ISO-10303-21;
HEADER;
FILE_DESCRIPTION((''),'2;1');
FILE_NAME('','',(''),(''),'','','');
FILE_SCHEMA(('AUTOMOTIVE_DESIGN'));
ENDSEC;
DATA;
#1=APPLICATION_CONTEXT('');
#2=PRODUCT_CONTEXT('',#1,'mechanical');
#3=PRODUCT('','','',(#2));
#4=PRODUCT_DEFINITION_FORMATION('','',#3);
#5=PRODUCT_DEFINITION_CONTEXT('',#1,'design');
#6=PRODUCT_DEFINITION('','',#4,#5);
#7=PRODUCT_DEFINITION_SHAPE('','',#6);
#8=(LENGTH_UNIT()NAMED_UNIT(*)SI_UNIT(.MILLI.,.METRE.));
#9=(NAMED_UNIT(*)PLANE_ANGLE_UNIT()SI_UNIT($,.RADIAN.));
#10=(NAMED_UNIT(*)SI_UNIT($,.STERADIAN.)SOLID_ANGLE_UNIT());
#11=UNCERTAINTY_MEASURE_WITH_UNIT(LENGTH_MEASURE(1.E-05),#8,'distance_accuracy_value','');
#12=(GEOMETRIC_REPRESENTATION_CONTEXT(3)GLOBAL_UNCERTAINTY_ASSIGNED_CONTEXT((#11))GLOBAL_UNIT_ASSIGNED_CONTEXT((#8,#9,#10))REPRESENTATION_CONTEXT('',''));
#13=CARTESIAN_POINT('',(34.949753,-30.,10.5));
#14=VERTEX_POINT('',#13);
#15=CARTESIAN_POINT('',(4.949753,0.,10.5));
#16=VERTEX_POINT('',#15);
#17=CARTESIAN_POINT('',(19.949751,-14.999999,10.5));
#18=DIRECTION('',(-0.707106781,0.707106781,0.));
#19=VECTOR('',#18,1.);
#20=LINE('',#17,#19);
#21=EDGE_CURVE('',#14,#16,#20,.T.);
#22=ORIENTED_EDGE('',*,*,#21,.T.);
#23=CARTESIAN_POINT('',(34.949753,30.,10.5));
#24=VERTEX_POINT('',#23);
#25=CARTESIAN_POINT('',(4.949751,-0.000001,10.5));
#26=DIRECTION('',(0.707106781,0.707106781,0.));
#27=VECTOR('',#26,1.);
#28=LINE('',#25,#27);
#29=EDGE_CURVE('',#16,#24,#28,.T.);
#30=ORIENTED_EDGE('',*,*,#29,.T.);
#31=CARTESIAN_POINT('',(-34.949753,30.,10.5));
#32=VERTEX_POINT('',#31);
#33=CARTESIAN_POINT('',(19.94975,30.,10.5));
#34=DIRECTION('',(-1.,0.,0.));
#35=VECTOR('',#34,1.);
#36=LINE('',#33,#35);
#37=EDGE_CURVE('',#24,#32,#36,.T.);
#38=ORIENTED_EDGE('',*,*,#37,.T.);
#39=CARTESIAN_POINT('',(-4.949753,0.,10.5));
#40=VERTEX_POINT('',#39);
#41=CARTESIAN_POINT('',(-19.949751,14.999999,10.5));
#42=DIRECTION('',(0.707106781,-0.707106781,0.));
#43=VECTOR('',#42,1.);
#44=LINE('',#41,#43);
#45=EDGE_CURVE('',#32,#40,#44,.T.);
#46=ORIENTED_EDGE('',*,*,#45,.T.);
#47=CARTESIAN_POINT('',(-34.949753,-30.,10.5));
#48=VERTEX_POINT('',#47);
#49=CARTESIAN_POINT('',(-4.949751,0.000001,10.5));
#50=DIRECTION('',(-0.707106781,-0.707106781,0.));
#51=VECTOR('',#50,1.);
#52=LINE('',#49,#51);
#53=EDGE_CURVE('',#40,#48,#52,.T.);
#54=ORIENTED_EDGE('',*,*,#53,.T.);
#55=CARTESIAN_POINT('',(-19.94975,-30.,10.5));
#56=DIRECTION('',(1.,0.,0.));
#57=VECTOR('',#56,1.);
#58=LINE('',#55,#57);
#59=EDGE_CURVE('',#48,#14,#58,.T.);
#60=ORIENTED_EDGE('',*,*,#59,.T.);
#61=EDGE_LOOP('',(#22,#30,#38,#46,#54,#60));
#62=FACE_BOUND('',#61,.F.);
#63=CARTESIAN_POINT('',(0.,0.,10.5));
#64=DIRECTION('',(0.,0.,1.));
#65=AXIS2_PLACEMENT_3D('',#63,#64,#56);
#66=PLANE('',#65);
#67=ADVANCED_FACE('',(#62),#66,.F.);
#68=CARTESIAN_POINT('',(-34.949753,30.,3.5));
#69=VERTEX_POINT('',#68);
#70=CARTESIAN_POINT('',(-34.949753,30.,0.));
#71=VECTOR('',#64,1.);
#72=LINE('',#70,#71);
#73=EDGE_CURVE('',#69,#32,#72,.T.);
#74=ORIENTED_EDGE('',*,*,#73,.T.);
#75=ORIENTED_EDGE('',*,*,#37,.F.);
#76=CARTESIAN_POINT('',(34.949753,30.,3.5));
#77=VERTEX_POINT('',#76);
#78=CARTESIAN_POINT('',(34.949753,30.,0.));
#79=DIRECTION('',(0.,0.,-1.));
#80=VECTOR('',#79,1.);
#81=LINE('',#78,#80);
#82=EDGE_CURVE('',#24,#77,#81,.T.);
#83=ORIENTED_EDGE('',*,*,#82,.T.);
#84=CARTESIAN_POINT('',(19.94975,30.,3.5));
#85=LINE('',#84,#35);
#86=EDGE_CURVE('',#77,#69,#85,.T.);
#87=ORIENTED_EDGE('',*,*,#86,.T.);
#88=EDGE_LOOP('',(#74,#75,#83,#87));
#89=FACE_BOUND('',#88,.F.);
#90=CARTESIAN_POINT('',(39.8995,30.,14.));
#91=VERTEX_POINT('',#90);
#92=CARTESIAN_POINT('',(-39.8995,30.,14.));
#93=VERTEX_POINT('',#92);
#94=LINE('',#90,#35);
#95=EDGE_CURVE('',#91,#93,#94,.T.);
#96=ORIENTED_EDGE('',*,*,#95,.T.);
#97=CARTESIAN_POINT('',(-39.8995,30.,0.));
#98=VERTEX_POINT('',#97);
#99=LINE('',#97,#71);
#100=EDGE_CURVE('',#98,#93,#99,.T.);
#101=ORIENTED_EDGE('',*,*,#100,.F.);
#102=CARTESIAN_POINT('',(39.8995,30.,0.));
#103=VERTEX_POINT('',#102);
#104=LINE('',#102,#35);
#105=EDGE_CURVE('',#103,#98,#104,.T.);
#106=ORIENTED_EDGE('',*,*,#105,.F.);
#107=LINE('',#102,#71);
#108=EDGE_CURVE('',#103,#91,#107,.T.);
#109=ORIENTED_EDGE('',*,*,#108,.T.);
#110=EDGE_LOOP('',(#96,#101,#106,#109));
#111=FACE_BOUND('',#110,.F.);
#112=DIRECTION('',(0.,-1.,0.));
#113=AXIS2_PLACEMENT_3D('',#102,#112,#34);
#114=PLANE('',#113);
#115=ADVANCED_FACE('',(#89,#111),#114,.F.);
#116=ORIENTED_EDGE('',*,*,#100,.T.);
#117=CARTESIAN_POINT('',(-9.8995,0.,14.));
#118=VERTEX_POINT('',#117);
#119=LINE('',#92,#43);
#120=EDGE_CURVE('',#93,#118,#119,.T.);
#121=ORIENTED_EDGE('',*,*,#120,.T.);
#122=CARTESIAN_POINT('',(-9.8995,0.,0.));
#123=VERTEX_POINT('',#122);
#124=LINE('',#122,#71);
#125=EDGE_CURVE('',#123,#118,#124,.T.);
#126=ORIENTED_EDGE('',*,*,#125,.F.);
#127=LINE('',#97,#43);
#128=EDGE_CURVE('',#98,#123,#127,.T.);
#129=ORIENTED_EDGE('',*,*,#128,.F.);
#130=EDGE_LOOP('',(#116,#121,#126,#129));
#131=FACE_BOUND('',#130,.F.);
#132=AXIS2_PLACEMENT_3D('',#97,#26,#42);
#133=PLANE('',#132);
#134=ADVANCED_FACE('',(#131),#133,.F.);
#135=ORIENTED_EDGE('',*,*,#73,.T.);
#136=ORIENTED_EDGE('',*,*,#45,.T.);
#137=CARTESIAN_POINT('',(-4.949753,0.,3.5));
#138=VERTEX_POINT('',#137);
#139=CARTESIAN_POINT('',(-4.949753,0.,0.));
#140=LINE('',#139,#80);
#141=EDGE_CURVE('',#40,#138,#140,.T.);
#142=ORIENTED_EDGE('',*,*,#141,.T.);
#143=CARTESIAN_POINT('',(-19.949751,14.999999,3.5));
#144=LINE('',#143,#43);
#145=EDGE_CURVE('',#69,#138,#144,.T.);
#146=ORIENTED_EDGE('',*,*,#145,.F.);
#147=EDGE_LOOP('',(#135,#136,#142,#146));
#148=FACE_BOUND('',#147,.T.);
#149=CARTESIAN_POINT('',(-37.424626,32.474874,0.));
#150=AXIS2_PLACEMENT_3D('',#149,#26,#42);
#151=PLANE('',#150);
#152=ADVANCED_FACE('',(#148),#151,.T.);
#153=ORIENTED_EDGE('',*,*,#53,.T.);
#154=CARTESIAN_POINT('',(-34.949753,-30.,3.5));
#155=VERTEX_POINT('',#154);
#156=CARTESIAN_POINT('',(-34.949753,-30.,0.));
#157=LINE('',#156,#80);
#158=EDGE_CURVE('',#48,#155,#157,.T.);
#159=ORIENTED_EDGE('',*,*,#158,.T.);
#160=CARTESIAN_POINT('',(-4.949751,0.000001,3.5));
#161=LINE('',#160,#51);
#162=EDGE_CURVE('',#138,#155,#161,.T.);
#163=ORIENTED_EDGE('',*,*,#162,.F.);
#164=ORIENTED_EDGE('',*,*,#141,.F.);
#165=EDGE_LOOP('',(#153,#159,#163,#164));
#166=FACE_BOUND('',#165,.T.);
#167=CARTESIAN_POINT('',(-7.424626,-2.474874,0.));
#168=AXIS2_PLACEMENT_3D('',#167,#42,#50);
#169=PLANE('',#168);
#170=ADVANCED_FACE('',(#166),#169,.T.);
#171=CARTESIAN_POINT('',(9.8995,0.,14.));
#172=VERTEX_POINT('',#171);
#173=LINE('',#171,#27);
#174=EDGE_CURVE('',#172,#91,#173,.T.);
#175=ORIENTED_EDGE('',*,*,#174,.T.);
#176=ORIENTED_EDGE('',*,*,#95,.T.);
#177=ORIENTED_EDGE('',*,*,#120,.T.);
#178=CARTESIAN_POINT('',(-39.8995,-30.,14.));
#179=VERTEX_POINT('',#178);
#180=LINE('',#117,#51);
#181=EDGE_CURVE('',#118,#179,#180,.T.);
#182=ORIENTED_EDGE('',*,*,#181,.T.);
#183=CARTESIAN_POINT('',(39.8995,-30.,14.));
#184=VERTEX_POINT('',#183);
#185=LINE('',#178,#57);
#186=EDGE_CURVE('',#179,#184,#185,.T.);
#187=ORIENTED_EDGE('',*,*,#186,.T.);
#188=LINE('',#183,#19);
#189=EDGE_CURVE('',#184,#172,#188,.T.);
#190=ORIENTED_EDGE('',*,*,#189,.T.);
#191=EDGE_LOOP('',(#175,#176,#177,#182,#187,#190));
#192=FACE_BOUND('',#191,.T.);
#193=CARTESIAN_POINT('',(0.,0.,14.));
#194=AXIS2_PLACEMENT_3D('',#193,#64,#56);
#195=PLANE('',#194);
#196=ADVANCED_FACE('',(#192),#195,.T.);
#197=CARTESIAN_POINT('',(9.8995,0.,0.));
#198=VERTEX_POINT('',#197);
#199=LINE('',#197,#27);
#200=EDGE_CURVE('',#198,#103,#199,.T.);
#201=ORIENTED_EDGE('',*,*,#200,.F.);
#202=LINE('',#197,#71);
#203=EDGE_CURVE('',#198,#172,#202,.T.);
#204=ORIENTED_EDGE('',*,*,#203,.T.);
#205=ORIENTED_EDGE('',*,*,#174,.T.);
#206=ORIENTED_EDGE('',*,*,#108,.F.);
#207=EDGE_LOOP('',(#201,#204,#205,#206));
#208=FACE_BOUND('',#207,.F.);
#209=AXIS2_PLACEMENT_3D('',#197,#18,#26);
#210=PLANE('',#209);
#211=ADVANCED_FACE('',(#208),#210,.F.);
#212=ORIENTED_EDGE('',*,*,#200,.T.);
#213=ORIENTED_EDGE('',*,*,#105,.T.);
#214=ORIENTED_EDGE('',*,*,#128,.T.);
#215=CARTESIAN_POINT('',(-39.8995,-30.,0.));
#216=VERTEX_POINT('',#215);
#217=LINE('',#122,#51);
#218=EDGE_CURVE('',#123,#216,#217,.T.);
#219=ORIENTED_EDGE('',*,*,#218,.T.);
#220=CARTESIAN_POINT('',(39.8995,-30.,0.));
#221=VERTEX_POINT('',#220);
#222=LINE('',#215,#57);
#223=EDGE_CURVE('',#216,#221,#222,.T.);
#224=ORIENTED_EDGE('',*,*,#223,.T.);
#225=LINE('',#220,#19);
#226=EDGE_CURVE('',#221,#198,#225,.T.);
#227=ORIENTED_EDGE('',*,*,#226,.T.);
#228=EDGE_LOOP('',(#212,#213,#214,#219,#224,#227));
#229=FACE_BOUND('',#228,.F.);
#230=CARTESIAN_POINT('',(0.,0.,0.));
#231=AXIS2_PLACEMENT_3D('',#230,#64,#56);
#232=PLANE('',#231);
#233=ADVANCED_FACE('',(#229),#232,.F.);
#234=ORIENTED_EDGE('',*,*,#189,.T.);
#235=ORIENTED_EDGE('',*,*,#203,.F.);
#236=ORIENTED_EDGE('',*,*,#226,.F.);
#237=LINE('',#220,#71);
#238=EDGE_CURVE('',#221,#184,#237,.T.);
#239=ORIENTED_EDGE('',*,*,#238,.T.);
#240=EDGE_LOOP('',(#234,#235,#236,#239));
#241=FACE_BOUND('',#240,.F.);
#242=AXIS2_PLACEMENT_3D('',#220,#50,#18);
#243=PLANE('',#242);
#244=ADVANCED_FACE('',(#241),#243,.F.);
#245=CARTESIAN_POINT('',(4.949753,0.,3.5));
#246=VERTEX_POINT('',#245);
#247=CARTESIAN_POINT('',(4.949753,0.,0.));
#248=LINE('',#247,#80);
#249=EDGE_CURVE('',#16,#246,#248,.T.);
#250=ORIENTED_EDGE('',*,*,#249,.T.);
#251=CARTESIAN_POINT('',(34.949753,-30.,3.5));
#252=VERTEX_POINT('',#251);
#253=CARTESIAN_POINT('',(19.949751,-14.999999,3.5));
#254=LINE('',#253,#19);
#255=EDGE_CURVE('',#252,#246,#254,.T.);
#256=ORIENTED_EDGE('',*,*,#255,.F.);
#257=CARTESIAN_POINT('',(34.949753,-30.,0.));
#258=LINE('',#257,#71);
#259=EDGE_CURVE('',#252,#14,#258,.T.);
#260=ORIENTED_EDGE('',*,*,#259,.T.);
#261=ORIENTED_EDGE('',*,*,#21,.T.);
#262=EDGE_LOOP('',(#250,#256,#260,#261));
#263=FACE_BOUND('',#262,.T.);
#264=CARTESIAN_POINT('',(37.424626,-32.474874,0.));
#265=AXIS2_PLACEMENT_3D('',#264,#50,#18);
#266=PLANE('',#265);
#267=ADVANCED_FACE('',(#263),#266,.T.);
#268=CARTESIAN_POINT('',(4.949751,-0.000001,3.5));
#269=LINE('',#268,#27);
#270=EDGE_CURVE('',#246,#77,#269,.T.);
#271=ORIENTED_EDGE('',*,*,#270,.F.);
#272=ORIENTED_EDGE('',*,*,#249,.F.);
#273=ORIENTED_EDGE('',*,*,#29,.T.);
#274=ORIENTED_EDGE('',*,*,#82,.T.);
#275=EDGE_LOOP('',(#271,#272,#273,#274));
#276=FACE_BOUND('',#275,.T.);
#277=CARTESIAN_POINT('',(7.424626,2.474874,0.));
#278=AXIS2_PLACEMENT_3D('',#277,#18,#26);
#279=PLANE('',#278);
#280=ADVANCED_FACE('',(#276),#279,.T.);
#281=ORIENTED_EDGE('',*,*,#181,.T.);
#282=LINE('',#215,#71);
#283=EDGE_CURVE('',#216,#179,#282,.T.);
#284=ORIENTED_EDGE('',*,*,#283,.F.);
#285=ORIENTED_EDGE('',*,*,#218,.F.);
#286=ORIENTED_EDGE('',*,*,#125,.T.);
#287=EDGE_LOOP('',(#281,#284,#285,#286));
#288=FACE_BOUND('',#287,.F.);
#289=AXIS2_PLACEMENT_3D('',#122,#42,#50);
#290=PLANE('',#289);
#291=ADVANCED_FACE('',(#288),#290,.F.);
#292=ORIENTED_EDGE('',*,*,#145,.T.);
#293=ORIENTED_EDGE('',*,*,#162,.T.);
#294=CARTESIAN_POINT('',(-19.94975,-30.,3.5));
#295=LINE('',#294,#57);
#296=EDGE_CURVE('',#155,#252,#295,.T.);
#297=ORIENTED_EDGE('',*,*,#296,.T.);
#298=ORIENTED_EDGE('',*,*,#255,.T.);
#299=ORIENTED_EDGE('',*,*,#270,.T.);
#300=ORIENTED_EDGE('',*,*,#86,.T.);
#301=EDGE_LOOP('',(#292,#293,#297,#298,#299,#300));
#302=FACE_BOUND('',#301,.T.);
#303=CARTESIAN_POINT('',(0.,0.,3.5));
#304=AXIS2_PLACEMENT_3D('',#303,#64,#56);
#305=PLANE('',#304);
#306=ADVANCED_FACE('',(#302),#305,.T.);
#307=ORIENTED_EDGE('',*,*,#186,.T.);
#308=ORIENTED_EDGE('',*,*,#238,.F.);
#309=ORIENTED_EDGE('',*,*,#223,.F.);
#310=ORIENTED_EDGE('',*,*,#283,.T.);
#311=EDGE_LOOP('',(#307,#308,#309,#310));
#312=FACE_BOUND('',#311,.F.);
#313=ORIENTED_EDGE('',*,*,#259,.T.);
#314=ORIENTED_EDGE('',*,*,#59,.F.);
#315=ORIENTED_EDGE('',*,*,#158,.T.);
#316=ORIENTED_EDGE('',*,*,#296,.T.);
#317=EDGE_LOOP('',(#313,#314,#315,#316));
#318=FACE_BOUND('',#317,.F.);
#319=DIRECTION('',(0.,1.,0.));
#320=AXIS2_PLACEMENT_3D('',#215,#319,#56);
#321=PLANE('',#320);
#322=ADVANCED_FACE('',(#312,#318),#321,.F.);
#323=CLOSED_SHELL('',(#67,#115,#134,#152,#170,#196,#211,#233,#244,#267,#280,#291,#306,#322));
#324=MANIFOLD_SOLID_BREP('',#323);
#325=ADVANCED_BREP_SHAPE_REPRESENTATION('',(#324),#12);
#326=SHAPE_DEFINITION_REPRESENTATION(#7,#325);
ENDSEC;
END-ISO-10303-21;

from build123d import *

# Parameters (mm, degrees)
F1_DEPTH = 14
F2_T     = -3.5


with BuildPart() as f1:
    # F0 (on Top) → F1 (new body)
    with BuildSketch(Plane.XY):
        Polygon((39.8995, 30), (-39.8995, 30), (-9.8995, 0), (-39.8995, -30), (39.8995, -30), (9.8995, 0), align=None)
    extrude(amount=F1_DEPTH)

    # F2
    f2_openings = [f1.faces().sort_by_distance(p)[0] for p in [
        (0, -30, 7),
        (0, 30, 7),
    ]]
    offset(amount=F2_T, openings=f2_openings, kind=Kind.INTERSECTION)


solid = f1.part
